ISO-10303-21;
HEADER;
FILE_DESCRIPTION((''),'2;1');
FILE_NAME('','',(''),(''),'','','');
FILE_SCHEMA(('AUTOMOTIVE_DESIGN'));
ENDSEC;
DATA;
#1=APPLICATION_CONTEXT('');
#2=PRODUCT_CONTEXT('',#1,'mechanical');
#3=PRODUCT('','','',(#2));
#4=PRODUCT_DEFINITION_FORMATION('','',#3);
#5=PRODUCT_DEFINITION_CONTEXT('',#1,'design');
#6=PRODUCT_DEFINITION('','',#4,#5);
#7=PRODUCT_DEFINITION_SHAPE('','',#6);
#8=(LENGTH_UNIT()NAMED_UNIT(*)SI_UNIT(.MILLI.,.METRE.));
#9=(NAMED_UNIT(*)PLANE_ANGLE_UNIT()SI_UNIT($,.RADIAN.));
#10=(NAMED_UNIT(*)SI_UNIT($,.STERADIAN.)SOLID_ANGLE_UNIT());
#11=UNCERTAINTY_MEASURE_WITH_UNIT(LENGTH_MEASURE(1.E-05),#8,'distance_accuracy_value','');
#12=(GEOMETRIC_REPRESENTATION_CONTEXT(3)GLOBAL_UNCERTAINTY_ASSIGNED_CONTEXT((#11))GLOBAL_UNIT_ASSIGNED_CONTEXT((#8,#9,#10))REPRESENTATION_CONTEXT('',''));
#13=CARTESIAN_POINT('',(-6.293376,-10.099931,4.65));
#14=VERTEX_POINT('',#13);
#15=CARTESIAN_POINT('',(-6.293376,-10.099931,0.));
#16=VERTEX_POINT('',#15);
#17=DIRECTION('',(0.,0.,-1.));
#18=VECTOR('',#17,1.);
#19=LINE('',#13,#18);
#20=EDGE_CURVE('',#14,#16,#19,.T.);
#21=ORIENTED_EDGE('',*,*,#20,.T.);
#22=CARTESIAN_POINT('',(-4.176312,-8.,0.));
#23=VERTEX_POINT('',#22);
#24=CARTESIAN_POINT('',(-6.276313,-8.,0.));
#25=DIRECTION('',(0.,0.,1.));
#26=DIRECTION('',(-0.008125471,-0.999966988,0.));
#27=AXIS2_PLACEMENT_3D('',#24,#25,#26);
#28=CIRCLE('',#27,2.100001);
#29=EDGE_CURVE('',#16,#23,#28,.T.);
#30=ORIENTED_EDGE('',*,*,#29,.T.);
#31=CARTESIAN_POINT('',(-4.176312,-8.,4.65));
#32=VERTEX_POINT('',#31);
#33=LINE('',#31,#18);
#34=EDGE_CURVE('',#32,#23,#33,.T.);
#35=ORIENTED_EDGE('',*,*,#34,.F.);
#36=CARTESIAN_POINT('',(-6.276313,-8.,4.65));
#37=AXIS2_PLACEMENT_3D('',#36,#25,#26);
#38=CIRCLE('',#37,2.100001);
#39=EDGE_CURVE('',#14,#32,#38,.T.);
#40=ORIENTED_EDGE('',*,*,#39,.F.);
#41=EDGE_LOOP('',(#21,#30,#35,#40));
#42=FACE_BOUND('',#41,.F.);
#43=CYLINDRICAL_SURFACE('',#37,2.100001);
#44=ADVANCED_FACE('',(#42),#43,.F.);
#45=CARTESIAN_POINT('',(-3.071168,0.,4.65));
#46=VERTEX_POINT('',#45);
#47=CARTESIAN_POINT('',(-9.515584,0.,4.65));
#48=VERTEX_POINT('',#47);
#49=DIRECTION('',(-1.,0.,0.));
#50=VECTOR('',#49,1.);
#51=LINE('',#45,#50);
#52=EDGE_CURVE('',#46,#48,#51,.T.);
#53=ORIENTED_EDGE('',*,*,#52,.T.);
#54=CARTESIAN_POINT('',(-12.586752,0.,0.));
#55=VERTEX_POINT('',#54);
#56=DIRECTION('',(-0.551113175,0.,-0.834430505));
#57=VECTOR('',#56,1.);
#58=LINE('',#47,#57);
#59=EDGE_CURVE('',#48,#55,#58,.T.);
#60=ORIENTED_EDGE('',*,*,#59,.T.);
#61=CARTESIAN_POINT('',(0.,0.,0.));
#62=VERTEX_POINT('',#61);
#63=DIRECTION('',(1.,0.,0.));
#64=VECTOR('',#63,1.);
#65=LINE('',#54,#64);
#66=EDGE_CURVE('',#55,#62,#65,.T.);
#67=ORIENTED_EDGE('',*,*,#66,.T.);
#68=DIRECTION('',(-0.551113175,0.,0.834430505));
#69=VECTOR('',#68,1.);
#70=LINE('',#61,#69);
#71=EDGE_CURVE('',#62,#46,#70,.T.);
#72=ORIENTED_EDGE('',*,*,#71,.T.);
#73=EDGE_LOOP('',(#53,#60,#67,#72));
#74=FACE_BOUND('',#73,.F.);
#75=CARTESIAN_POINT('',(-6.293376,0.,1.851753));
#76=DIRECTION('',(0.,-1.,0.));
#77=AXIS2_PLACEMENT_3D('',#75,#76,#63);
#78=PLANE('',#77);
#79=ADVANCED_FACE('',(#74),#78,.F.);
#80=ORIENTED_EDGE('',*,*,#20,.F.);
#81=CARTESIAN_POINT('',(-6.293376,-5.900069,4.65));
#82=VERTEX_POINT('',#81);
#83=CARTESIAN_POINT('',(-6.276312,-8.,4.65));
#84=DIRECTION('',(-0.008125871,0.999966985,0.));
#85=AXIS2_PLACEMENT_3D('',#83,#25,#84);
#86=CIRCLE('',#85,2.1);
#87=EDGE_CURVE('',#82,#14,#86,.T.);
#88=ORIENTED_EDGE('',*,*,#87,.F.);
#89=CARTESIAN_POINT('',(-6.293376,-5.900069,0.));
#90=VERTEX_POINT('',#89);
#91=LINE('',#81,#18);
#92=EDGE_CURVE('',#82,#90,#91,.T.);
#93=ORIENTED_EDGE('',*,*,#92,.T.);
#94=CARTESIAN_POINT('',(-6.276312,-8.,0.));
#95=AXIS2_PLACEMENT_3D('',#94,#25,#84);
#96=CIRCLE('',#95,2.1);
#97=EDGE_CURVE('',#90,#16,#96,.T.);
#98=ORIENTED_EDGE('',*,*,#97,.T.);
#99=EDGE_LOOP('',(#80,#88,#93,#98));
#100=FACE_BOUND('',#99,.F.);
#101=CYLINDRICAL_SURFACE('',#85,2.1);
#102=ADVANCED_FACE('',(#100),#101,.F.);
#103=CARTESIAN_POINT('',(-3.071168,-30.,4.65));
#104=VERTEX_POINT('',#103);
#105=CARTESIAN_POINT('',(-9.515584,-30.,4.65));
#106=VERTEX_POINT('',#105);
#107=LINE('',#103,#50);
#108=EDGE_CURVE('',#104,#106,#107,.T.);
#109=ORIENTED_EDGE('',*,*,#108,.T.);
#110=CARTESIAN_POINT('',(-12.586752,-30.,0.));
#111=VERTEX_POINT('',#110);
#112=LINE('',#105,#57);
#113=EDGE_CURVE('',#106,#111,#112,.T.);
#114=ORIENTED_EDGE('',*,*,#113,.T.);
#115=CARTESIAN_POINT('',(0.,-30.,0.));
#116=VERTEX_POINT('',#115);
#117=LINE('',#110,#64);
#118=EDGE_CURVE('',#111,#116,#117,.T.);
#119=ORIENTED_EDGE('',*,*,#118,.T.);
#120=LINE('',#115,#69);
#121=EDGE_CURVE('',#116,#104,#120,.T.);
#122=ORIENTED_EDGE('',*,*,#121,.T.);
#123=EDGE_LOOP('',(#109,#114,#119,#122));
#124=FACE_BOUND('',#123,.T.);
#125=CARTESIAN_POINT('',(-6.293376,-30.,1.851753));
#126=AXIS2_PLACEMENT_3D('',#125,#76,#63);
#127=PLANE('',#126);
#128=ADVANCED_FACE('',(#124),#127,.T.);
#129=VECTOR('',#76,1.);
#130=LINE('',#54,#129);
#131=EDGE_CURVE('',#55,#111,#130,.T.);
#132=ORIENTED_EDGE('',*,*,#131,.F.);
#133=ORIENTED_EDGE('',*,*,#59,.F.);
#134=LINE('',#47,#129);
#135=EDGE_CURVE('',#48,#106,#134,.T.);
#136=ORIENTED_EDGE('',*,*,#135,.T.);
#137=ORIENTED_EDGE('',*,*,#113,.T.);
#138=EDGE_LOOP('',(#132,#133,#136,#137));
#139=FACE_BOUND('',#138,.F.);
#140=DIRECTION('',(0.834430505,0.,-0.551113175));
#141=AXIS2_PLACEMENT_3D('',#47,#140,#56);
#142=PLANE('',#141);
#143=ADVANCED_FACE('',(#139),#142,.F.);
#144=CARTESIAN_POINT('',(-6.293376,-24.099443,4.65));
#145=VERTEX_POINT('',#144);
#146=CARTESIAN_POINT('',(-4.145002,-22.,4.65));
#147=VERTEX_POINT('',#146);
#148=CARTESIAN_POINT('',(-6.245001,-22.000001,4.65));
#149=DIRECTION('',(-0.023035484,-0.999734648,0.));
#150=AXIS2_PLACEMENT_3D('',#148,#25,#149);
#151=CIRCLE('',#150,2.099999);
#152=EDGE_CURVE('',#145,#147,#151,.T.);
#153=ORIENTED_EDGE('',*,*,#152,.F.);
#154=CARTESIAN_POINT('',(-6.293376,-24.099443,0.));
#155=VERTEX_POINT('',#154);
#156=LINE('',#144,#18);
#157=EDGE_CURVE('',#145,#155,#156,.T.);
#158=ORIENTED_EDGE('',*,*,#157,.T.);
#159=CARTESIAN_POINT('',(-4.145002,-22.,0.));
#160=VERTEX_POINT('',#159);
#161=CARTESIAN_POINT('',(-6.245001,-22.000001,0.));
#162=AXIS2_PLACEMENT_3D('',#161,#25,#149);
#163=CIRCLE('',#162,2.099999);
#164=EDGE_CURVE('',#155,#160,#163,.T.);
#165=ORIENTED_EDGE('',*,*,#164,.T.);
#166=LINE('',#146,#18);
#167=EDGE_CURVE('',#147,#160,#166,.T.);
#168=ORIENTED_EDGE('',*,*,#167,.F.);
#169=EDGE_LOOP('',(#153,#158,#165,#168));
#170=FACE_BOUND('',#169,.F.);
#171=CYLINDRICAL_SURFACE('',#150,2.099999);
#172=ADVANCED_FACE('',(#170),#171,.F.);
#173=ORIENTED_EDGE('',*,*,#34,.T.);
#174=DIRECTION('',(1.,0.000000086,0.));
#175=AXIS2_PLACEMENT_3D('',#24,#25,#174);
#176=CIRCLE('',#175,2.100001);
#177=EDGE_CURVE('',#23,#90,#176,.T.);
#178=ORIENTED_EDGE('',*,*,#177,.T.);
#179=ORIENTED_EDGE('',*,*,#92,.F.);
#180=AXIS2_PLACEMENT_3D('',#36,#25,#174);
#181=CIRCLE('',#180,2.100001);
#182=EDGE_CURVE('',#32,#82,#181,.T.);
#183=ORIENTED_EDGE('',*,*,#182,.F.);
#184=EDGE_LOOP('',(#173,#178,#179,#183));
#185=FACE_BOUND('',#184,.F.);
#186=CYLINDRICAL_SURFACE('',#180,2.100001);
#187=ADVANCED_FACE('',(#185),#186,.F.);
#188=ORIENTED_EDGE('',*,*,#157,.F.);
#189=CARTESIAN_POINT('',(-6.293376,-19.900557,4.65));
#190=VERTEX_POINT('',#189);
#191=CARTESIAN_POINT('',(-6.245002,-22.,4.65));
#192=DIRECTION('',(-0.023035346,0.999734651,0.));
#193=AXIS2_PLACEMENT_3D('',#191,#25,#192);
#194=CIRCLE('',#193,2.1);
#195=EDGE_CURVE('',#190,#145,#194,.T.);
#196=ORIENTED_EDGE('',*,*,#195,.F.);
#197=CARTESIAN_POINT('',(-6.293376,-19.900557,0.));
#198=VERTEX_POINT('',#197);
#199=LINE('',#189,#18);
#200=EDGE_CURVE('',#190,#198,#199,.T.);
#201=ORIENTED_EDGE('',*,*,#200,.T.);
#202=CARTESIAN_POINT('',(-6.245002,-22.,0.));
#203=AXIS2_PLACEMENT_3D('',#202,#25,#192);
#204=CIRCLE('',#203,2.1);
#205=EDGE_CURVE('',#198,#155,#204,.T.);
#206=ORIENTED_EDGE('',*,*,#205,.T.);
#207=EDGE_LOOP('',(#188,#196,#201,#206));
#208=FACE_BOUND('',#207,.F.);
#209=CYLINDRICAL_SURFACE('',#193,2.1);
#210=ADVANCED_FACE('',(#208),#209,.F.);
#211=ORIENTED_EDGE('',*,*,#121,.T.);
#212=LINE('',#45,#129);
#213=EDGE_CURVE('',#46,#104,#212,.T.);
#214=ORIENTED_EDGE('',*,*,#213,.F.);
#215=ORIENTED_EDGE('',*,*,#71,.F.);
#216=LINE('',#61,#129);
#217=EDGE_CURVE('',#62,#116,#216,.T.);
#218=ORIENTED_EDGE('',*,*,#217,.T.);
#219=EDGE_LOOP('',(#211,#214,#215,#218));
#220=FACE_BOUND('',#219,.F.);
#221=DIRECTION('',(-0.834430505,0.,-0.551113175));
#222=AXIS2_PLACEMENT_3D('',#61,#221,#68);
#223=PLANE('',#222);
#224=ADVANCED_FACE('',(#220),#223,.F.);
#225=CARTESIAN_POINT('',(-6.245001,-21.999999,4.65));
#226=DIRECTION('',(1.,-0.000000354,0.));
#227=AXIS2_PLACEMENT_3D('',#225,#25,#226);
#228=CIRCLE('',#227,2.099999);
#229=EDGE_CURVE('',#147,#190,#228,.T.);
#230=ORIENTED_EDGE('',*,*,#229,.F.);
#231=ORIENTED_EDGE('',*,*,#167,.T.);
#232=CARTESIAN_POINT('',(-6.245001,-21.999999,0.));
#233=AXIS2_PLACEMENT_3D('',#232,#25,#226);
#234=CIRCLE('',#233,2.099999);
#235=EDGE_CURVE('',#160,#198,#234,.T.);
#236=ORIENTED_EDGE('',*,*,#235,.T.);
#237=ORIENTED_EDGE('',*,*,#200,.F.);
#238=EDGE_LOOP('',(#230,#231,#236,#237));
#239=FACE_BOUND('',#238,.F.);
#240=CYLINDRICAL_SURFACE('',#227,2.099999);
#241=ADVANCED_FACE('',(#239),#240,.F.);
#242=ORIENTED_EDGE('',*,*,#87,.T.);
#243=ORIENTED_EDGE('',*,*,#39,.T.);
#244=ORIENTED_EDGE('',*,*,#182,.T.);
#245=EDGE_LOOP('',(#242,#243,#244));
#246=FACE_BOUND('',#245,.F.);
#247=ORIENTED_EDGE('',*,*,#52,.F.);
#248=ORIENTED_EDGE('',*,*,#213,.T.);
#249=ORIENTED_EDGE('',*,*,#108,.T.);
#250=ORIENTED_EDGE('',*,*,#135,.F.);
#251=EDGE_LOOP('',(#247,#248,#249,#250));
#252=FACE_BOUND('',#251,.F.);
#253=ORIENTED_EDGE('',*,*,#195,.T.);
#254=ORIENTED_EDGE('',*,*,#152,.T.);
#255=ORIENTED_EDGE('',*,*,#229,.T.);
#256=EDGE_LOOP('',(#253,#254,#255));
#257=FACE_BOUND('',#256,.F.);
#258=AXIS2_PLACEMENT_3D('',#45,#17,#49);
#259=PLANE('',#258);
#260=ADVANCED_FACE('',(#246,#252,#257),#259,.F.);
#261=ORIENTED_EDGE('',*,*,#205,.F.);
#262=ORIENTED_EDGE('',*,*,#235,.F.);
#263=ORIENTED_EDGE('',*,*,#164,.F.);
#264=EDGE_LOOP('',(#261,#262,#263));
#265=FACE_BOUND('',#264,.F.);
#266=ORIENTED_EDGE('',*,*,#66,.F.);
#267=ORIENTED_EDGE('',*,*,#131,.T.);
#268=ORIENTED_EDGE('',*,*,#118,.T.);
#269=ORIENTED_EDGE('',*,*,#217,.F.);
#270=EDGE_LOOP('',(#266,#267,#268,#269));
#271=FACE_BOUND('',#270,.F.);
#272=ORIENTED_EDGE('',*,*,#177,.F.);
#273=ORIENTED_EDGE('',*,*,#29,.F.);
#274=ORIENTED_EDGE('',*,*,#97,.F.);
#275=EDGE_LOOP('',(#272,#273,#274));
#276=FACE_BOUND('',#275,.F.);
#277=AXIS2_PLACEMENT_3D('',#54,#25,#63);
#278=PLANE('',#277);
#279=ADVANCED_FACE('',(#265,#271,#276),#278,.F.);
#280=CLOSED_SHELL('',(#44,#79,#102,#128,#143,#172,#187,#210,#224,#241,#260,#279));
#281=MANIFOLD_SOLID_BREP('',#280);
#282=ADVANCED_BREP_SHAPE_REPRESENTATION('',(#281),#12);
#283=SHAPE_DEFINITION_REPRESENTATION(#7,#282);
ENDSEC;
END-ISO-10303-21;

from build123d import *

# Parameters (mm, degrees)
F1_DEPTH = 30
F3_DEPTH = 4.651


with BuildPart() as f1:
    # F0 (on Front) → F1 (new body)
    with BuildSketch(Plane.XZ):
        Polygon((-9.515584, 4.65), (-12.586752, 0), (0, 0), (-3.071168, 4.65), align=None)
    extrude(amount=F1_DEPTH)

    # F2 (on face) → F3 (cut, through all)
    with BuildSketch(Plane.XY.offset(4.65)):
        with BuildLine():
            ThreePointArc((-6.293376, -10.099931), (-4.797433, -9.490945), (-4.176312, -8))
            ThreePointArc((-4.176312, -8), (-4.797433, -6.509055), (-6.293376, -5.900069))
            Line((-6.293376, -5.900069), (-6.293376, -10.099931))
        make_face()
        with BuildLine():
            Line((-6.293376, -10.099931), (-6.293376, -5.900069))
            ThreePointArc((-6.293376, -5.900069), (-8.376312, -8), (-6.293376, -10.099931))
        make_face()
        with BuildLine():
            ThreePointArc((-4.145002, -22), (-4.77728, -20.49807), (-6.293376, -19.900557))
            Line((-6.293376, -19.900557), (-6.293376, -24.099443))
            ThreePointArc((-6.293376, -24.099443), (-4.77728, -23.50193), (-4.145002, -22))
        make_face()
        with BuildLine():
            Line((-6.293376, -24.099443), (-6.293376, -19.900557))
            ThreePointArc((-6.293376, -19.900557), (-8.345002, -22), (-6.293376, -24.099443))
        make_face()
    extrude(amount=-F3_DEPTH, mode=Mode.SUBTRACT)


solid = f1.part
